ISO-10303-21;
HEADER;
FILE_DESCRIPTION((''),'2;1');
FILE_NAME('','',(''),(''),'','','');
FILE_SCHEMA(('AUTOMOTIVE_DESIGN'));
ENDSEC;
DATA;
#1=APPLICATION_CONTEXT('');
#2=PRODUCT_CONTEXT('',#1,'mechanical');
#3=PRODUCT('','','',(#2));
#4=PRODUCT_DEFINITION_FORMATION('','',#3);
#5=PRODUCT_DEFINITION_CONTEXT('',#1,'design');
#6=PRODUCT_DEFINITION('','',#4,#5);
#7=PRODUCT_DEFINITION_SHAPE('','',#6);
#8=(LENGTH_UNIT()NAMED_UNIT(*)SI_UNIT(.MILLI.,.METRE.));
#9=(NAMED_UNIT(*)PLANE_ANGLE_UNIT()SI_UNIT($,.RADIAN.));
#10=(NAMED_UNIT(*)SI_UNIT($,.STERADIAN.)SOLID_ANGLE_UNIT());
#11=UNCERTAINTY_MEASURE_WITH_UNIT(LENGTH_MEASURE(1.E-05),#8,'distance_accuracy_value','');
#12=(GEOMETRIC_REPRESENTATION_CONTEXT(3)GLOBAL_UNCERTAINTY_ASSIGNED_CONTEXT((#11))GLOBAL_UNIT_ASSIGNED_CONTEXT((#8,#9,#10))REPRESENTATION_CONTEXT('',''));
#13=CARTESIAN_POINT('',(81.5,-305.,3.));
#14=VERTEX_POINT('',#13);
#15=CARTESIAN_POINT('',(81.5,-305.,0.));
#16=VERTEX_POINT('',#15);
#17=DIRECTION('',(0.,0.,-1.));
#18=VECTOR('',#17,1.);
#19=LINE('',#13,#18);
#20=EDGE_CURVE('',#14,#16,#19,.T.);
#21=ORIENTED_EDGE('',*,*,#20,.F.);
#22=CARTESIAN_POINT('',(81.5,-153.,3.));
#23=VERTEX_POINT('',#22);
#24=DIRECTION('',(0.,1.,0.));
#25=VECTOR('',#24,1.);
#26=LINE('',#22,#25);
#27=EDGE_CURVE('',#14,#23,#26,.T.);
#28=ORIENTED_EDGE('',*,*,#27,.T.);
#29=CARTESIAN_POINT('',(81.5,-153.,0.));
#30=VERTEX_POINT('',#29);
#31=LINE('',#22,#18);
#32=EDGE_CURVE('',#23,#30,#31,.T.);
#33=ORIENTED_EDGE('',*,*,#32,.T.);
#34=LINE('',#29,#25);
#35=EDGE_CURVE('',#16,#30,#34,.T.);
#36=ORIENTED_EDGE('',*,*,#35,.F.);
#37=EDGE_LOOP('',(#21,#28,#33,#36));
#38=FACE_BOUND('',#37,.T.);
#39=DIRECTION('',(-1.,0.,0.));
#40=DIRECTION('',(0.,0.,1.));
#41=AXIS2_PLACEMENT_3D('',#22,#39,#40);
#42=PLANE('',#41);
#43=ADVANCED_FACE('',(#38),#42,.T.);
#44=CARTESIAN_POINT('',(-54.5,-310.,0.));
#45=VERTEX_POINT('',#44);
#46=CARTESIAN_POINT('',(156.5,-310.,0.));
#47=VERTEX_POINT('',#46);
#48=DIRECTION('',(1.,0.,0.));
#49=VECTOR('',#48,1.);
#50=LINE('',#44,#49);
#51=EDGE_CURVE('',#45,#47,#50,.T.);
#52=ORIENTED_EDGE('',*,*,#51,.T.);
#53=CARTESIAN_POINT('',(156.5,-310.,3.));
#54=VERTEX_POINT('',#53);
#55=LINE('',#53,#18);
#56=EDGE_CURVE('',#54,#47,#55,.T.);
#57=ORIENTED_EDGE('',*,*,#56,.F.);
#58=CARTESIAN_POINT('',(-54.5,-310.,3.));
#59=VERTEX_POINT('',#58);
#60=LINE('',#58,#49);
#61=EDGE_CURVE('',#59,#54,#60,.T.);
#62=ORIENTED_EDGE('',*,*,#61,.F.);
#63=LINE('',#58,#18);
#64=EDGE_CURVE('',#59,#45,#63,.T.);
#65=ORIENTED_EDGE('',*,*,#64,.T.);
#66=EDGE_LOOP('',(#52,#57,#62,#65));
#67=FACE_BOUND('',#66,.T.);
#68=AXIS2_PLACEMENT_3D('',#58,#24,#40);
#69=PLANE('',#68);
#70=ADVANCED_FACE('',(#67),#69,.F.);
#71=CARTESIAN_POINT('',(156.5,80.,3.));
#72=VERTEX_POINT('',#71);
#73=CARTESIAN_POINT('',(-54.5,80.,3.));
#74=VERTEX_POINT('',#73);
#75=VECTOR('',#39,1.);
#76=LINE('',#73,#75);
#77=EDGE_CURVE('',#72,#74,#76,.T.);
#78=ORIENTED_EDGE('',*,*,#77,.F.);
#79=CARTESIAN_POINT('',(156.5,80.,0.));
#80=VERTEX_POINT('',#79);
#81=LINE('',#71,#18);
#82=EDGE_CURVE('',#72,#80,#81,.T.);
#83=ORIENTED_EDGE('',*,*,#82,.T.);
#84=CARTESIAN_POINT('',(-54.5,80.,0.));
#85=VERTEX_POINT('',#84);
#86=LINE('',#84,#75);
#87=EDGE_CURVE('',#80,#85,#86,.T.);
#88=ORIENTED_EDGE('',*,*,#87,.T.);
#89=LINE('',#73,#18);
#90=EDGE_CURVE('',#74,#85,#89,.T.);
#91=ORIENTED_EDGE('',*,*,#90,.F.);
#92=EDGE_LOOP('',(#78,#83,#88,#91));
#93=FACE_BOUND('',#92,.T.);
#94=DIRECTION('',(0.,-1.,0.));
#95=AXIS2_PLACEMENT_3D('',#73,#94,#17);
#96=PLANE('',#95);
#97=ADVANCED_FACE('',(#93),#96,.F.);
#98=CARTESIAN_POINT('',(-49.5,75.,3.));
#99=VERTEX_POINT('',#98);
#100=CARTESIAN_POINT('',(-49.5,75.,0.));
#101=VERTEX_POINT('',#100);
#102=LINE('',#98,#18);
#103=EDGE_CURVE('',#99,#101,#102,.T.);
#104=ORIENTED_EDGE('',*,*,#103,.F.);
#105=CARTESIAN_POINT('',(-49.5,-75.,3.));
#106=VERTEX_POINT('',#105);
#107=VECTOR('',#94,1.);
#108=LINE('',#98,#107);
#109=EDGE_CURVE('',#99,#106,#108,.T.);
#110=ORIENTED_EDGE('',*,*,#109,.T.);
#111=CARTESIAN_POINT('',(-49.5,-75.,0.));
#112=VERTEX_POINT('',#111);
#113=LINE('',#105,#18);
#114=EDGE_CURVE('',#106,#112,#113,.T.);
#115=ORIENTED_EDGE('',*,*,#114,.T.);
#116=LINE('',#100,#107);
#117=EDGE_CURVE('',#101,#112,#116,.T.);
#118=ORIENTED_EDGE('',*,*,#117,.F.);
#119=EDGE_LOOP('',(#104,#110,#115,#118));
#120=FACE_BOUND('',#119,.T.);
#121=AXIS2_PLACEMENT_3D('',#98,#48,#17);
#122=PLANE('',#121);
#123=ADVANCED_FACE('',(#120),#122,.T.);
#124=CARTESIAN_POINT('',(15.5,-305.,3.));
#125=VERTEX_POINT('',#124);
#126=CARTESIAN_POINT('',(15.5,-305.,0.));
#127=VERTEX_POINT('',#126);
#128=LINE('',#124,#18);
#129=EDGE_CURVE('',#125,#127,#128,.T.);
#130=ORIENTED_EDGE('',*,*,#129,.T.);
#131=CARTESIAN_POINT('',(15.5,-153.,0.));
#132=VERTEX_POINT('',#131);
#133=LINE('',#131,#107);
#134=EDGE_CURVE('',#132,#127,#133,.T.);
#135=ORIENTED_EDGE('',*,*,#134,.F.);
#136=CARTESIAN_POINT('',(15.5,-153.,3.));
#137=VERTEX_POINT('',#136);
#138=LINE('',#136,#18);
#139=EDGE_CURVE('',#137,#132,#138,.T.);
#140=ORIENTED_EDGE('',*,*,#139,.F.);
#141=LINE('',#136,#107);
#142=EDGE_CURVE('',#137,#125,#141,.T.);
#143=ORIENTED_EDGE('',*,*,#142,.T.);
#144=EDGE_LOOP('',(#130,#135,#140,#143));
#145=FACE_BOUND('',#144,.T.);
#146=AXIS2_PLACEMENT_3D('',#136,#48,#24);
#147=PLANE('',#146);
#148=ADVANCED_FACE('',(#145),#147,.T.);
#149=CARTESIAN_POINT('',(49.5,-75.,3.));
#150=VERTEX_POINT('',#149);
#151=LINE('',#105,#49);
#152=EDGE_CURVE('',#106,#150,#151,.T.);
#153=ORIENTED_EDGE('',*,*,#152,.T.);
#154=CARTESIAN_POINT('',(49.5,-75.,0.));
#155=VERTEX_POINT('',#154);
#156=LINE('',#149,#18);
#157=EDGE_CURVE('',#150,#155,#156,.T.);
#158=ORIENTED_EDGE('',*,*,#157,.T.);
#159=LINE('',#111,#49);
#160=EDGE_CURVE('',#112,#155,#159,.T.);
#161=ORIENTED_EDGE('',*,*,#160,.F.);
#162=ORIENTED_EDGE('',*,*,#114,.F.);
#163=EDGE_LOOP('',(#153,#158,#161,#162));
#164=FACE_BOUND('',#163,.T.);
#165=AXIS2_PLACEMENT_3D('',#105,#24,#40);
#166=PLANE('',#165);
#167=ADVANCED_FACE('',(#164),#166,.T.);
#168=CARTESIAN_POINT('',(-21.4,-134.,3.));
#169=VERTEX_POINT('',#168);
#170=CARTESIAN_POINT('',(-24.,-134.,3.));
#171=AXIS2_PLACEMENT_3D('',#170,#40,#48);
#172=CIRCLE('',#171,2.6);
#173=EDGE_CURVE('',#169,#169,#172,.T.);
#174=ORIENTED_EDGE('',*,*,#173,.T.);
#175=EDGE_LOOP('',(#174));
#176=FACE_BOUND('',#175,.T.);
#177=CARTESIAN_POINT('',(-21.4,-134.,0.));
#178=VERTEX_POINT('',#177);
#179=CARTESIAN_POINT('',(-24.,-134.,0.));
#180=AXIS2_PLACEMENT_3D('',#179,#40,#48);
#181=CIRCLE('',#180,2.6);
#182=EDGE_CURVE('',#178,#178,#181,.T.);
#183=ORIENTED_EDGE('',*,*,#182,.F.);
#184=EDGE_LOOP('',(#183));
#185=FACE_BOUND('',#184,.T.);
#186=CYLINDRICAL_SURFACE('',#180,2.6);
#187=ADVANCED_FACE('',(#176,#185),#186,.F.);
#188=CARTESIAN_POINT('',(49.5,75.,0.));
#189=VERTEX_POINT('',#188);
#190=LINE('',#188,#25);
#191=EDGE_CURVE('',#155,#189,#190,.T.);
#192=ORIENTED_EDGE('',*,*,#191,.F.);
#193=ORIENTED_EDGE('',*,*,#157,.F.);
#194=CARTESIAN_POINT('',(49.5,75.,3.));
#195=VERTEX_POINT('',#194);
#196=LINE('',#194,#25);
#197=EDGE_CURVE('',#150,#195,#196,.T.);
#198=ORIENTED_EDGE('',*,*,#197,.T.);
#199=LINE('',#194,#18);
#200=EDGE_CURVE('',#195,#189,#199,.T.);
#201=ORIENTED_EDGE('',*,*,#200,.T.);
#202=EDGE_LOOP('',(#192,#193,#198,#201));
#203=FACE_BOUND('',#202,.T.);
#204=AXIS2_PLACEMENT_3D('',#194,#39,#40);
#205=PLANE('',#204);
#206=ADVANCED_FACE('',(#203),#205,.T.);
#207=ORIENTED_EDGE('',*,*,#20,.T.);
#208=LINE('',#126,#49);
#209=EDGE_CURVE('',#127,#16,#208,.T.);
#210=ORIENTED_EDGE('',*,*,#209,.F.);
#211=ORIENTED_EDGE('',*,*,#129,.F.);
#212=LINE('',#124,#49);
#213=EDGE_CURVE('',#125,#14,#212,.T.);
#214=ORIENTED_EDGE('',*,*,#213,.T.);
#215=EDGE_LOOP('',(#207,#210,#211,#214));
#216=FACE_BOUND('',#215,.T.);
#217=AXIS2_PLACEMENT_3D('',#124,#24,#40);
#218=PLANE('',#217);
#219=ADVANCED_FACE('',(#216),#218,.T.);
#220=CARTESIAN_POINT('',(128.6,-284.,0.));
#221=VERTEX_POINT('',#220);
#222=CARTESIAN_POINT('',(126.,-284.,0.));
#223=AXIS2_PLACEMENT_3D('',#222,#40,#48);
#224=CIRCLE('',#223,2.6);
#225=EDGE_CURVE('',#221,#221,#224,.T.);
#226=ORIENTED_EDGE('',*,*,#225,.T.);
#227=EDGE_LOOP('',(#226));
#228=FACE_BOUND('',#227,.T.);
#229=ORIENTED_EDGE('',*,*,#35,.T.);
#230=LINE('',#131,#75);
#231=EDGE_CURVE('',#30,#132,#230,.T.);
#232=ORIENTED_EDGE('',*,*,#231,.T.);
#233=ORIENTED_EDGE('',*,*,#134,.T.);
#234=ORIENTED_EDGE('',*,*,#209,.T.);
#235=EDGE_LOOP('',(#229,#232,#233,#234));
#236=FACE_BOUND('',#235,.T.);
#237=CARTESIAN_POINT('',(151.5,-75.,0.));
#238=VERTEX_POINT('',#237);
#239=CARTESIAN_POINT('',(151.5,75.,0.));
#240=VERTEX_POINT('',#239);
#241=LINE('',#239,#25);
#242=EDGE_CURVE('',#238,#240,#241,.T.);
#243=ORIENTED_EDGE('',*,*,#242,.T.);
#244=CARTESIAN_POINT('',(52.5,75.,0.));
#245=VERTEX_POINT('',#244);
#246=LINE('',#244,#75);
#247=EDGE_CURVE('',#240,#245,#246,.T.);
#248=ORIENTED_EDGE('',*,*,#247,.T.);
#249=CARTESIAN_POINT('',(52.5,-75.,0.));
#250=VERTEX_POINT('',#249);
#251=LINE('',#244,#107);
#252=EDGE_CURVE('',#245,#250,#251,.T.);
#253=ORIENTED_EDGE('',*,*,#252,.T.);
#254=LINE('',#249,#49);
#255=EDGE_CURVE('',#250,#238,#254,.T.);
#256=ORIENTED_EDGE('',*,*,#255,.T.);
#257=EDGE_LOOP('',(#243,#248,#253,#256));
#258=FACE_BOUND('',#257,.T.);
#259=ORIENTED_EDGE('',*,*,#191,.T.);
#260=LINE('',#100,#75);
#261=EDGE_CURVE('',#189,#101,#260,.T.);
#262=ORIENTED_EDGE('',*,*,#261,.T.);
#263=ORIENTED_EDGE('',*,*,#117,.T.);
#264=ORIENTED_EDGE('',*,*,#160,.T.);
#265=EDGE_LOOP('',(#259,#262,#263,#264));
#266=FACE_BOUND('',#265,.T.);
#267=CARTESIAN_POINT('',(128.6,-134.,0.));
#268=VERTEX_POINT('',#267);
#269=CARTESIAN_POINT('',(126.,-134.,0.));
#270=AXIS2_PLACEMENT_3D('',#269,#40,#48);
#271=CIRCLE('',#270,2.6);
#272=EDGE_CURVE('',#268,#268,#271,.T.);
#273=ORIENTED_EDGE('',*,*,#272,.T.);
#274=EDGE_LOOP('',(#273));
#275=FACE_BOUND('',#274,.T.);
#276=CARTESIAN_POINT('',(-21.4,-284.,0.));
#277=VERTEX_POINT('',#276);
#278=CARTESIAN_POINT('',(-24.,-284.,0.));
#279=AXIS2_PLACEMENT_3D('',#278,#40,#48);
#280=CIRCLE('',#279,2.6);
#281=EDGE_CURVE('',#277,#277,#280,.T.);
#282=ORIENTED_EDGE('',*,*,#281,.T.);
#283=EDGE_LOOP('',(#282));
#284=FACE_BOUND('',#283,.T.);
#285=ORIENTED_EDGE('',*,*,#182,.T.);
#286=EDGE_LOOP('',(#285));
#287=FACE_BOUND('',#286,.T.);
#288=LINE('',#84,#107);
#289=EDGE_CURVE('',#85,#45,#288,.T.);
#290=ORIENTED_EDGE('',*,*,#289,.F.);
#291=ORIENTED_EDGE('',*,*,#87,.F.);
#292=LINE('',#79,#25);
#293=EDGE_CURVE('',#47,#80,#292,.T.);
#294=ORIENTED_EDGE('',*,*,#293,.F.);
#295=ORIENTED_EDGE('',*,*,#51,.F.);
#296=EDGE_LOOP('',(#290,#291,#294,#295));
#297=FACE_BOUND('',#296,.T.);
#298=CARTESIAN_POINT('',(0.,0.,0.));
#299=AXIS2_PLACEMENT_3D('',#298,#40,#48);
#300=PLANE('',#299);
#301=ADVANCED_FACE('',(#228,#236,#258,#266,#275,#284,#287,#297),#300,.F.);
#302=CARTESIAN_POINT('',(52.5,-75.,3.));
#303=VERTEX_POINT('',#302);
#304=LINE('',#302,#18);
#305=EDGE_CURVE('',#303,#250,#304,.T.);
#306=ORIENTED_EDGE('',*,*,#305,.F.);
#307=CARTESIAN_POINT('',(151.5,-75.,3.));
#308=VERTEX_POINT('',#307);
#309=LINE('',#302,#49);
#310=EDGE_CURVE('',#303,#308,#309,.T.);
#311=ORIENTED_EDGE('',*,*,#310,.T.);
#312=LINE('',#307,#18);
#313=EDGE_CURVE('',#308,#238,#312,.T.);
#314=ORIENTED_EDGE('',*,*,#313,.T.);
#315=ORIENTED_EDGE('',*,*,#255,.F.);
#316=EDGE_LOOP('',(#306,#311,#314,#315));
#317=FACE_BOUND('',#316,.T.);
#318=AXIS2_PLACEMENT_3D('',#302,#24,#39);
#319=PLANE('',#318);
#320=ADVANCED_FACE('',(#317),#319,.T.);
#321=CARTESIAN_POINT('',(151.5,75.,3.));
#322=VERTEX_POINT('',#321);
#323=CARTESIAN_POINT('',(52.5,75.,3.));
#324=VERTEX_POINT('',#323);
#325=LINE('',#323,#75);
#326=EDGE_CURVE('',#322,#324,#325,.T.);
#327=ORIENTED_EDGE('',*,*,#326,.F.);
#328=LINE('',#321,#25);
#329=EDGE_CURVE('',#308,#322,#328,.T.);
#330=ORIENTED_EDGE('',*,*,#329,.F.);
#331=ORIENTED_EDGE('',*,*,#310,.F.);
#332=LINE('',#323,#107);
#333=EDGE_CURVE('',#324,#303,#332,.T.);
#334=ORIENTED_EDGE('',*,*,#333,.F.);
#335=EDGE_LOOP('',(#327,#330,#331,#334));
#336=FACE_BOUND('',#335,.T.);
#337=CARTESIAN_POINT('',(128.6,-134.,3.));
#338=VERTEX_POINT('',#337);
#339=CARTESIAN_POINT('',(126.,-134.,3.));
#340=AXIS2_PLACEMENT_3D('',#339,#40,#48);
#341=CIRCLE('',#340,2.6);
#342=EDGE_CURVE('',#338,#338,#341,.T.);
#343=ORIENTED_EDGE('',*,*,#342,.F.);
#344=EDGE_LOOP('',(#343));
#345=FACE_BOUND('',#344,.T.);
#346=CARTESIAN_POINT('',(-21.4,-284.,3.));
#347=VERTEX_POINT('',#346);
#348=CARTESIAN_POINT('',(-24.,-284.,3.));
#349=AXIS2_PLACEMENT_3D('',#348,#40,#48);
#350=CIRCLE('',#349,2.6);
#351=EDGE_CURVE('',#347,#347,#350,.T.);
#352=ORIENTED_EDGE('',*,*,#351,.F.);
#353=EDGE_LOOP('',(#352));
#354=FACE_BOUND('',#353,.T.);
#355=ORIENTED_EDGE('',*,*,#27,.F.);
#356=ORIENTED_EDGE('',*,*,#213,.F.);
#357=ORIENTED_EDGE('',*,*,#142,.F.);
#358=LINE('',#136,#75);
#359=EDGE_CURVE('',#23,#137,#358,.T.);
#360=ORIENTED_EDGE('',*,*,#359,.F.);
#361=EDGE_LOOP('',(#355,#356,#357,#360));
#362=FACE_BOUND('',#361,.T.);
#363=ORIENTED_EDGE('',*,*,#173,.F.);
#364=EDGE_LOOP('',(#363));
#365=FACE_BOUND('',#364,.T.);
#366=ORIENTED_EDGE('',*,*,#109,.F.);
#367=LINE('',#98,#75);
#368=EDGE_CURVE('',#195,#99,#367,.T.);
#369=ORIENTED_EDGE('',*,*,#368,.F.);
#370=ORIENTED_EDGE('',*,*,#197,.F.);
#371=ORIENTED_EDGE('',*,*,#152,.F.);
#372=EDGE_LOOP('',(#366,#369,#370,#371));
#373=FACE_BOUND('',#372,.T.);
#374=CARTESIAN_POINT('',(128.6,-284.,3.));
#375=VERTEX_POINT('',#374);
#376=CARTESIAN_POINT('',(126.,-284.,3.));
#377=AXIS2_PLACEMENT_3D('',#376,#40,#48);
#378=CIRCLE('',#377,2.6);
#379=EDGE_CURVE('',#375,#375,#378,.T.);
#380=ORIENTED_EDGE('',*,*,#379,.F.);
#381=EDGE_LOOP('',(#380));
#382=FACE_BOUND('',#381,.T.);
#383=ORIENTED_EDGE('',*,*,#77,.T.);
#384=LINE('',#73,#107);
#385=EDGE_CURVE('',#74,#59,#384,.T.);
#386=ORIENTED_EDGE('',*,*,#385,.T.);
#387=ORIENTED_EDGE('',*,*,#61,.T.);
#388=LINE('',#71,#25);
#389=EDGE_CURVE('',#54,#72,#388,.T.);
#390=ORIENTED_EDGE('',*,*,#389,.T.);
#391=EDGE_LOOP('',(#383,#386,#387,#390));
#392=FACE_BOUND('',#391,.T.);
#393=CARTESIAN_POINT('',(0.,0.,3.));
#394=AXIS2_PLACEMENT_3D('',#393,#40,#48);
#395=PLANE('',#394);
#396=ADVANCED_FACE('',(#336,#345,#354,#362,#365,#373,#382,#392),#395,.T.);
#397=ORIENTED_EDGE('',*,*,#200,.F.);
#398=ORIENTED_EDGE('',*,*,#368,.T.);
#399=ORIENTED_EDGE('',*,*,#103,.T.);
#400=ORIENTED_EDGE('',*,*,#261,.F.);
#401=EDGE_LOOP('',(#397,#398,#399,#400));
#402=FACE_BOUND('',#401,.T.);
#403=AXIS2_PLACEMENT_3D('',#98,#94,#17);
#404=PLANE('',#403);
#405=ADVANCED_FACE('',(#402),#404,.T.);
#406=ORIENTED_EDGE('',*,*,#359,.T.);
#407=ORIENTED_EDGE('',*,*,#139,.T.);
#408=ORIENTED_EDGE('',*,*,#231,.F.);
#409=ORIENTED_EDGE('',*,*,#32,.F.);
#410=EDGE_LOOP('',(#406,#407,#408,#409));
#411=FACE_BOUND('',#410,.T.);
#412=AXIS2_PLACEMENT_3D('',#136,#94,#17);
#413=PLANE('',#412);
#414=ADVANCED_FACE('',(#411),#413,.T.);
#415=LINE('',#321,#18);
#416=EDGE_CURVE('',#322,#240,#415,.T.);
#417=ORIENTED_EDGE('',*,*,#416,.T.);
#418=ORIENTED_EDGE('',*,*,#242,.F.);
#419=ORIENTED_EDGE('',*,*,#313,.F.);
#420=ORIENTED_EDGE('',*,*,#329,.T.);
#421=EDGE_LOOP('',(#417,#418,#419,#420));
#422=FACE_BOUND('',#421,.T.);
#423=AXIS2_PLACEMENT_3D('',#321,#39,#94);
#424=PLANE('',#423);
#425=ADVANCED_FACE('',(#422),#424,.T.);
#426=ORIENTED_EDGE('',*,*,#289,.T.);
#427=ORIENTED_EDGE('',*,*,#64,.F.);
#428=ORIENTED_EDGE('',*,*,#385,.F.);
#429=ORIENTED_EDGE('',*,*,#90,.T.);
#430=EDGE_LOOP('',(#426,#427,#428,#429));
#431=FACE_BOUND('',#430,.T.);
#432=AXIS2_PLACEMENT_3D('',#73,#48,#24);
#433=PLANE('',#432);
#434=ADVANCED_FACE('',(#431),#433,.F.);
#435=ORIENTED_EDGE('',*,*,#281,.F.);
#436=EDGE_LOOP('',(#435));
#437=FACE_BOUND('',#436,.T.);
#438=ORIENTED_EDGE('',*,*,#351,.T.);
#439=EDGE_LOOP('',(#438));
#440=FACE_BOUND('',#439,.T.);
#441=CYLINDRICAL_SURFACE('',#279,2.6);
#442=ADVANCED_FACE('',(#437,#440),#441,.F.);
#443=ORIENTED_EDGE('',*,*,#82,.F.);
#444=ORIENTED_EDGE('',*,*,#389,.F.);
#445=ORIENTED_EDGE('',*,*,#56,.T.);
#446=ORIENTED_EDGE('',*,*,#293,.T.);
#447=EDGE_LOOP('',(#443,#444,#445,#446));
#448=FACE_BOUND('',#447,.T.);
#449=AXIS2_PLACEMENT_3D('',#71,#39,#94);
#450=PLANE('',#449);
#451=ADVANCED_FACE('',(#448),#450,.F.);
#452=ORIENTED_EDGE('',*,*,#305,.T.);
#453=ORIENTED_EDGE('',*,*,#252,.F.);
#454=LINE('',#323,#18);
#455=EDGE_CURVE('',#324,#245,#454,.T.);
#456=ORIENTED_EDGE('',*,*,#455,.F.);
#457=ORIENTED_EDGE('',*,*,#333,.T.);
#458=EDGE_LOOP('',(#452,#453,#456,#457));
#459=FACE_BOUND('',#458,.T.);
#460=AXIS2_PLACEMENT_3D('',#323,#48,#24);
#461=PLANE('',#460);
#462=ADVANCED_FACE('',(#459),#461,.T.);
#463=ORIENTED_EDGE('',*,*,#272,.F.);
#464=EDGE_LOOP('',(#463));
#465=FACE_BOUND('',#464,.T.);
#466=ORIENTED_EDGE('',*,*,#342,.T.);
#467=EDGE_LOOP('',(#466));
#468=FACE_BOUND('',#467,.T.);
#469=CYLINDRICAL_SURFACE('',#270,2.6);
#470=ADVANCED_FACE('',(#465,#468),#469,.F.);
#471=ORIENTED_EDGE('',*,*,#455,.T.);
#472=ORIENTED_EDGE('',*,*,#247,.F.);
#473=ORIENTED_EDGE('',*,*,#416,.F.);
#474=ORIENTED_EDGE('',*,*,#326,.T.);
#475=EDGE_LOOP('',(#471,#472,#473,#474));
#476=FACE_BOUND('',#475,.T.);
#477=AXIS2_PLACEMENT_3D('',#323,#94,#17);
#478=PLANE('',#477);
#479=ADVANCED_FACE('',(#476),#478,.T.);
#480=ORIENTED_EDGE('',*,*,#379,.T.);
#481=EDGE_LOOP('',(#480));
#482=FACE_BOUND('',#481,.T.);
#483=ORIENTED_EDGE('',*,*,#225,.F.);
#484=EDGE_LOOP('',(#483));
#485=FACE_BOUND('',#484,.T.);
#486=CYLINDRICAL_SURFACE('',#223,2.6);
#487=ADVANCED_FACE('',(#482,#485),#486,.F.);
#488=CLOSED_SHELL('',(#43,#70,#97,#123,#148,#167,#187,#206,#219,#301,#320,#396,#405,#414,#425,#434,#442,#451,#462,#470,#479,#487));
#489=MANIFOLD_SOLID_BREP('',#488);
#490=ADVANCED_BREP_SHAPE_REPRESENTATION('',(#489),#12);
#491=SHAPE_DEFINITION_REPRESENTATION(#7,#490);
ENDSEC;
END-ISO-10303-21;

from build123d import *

# Parameters (mm, degrees)
SKETCH1_W           = 211
SKETCH1_H           = 390
SKETCH1_W_2         = 99
SKETCH1_H_2         = 150
SKETCH1_W_3         = 66
SKETCH1_H_3         = 152
BOSS_EXTRUDE1_DEPTH = 3
SKETCH2_R           = 2.6
CUT_EXTRUDE1_DEPTH  = 348.276906805


with BuildPart() as part:
    # Sketch1 → Boss-Extrude1 (new body)
    with BuildSketch(Plane.XY):
        with Locations((51, -115)):
            Rectangle(SKETCH1_W, SKETCH1_H)
        Rectangle(SKETCH1_W_2, SKETCH1_H_2, mode=Mode.SUBTRACT)
        with Locations((102, 0)):
            Rectangle(SKETCH1_W_2, SKETCH1_H_2, mode=Mode.SUBTRACT)
        with Locations((48.5, -229)):
            Rectangle(SKETCH1_W_3, SKETCH1_H_3, mode=Mode.SUBTRACT)
    extrude(amount=BOSS_EXTRUDE1_DEPTH)

    # Sketch2 → Cut-Extrude1 (cut, through all)
    with BuildSketch(Plane.XY.offset(3)):
        with Locations((-24, -134)):
            Circle(SKETCH2_R)
        with Locations((126, -134)):
            Circle(SKETCH2_R)
        with Locations((126, -284)):
            Circle(SKETCH2_R)
        with Locations((-24, -284)):
            Circle(SKETCH2_R)
    extrude(amount=-CUT_EXTRUDE1_DEPTH, mode=Mode.SUBTRACT)


solid = part.part
